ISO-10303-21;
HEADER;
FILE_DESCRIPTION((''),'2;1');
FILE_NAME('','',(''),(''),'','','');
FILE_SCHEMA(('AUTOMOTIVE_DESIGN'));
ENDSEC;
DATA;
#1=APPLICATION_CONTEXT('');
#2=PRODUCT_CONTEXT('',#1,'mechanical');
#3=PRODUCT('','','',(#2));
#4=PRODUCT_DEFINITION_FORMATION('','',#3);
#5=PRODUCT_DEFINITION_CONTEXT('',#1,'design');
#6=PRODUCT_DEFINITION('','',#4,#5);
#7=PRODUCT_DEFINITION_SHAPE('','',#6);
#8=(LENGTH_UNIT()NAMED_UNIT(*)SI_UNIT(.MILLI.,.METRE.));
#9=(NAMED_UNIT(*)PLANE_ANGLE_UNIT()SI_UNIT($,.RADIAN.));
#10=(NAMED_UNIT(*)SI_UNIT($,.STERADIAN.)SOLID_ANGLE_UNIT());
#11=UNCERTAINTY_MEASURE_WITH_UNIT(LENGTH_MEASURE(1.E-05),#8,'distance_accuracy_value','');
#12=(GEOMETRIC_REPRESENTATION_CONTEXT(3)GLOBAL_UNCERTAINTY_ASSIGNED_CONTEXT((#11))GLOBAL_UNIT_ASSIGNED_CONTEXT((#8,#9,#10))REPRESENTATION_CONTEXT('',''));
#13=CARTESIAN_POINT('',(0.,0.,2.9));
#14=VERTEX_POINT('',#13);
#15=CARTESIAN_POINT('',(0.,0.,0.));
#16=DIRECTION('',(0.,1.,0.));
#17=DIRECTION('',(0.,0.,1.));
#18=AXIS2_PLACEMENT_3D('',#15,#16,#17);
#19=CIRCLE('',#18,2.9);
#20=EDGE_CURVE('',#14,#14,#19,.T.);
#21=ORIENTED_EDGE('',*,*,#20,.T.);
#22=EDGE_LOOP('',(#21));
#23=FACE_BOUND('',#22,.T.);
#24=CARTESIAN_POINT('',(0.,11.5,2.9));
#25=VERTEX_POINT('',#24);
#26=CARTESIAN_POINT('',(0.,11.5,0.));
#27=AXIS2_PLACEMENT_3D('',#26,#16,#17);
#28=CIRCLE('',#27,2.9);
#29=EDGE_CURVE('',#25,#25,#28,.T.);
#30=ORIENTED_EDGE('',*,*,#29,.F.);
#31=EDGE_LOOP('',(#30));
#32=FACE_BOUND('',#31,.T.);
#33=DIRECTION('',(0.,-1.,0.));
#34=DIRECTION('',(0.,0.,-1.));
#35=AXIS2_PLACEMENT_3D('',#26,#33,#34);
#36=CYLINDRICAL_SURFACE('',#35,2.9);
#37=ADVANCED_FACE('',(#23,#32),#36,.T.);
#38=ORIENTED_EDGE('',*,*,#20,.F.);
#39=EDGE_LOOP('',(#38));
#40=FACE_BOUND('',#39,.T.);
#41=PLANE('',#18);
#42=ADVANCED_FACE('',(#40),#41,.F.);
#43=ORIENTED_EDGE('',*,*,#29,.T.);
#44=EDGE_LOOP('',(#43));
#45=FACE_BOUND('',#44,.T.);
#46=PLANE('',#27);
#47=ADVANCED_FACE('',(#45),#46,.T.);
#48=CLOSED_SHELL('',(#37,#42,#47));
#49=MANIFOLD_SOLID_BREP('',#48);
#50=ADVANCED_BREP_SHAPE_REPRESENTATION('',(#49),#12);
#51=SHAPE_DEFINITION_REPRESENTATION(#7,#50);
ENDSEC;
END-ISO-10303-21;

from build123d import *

# Parameters (mm, degrees)
SKETCH_1_R      = 2.9
EXTRUDE_1_DEPTH = 11.5


with BuildPart() as part:
    # Эскиз1 → Бобышка-Вытянуть1 (new body)
    with BuildSketch(Plane(origin=(0, 0, 0), x_dir=(1, 0, 0), z_dir=(0, 1, 0))):
        Circle(SKETCH_1_R)
    extrude(amount=EXTRUDE_1_DEPTH)


solid = part.part
